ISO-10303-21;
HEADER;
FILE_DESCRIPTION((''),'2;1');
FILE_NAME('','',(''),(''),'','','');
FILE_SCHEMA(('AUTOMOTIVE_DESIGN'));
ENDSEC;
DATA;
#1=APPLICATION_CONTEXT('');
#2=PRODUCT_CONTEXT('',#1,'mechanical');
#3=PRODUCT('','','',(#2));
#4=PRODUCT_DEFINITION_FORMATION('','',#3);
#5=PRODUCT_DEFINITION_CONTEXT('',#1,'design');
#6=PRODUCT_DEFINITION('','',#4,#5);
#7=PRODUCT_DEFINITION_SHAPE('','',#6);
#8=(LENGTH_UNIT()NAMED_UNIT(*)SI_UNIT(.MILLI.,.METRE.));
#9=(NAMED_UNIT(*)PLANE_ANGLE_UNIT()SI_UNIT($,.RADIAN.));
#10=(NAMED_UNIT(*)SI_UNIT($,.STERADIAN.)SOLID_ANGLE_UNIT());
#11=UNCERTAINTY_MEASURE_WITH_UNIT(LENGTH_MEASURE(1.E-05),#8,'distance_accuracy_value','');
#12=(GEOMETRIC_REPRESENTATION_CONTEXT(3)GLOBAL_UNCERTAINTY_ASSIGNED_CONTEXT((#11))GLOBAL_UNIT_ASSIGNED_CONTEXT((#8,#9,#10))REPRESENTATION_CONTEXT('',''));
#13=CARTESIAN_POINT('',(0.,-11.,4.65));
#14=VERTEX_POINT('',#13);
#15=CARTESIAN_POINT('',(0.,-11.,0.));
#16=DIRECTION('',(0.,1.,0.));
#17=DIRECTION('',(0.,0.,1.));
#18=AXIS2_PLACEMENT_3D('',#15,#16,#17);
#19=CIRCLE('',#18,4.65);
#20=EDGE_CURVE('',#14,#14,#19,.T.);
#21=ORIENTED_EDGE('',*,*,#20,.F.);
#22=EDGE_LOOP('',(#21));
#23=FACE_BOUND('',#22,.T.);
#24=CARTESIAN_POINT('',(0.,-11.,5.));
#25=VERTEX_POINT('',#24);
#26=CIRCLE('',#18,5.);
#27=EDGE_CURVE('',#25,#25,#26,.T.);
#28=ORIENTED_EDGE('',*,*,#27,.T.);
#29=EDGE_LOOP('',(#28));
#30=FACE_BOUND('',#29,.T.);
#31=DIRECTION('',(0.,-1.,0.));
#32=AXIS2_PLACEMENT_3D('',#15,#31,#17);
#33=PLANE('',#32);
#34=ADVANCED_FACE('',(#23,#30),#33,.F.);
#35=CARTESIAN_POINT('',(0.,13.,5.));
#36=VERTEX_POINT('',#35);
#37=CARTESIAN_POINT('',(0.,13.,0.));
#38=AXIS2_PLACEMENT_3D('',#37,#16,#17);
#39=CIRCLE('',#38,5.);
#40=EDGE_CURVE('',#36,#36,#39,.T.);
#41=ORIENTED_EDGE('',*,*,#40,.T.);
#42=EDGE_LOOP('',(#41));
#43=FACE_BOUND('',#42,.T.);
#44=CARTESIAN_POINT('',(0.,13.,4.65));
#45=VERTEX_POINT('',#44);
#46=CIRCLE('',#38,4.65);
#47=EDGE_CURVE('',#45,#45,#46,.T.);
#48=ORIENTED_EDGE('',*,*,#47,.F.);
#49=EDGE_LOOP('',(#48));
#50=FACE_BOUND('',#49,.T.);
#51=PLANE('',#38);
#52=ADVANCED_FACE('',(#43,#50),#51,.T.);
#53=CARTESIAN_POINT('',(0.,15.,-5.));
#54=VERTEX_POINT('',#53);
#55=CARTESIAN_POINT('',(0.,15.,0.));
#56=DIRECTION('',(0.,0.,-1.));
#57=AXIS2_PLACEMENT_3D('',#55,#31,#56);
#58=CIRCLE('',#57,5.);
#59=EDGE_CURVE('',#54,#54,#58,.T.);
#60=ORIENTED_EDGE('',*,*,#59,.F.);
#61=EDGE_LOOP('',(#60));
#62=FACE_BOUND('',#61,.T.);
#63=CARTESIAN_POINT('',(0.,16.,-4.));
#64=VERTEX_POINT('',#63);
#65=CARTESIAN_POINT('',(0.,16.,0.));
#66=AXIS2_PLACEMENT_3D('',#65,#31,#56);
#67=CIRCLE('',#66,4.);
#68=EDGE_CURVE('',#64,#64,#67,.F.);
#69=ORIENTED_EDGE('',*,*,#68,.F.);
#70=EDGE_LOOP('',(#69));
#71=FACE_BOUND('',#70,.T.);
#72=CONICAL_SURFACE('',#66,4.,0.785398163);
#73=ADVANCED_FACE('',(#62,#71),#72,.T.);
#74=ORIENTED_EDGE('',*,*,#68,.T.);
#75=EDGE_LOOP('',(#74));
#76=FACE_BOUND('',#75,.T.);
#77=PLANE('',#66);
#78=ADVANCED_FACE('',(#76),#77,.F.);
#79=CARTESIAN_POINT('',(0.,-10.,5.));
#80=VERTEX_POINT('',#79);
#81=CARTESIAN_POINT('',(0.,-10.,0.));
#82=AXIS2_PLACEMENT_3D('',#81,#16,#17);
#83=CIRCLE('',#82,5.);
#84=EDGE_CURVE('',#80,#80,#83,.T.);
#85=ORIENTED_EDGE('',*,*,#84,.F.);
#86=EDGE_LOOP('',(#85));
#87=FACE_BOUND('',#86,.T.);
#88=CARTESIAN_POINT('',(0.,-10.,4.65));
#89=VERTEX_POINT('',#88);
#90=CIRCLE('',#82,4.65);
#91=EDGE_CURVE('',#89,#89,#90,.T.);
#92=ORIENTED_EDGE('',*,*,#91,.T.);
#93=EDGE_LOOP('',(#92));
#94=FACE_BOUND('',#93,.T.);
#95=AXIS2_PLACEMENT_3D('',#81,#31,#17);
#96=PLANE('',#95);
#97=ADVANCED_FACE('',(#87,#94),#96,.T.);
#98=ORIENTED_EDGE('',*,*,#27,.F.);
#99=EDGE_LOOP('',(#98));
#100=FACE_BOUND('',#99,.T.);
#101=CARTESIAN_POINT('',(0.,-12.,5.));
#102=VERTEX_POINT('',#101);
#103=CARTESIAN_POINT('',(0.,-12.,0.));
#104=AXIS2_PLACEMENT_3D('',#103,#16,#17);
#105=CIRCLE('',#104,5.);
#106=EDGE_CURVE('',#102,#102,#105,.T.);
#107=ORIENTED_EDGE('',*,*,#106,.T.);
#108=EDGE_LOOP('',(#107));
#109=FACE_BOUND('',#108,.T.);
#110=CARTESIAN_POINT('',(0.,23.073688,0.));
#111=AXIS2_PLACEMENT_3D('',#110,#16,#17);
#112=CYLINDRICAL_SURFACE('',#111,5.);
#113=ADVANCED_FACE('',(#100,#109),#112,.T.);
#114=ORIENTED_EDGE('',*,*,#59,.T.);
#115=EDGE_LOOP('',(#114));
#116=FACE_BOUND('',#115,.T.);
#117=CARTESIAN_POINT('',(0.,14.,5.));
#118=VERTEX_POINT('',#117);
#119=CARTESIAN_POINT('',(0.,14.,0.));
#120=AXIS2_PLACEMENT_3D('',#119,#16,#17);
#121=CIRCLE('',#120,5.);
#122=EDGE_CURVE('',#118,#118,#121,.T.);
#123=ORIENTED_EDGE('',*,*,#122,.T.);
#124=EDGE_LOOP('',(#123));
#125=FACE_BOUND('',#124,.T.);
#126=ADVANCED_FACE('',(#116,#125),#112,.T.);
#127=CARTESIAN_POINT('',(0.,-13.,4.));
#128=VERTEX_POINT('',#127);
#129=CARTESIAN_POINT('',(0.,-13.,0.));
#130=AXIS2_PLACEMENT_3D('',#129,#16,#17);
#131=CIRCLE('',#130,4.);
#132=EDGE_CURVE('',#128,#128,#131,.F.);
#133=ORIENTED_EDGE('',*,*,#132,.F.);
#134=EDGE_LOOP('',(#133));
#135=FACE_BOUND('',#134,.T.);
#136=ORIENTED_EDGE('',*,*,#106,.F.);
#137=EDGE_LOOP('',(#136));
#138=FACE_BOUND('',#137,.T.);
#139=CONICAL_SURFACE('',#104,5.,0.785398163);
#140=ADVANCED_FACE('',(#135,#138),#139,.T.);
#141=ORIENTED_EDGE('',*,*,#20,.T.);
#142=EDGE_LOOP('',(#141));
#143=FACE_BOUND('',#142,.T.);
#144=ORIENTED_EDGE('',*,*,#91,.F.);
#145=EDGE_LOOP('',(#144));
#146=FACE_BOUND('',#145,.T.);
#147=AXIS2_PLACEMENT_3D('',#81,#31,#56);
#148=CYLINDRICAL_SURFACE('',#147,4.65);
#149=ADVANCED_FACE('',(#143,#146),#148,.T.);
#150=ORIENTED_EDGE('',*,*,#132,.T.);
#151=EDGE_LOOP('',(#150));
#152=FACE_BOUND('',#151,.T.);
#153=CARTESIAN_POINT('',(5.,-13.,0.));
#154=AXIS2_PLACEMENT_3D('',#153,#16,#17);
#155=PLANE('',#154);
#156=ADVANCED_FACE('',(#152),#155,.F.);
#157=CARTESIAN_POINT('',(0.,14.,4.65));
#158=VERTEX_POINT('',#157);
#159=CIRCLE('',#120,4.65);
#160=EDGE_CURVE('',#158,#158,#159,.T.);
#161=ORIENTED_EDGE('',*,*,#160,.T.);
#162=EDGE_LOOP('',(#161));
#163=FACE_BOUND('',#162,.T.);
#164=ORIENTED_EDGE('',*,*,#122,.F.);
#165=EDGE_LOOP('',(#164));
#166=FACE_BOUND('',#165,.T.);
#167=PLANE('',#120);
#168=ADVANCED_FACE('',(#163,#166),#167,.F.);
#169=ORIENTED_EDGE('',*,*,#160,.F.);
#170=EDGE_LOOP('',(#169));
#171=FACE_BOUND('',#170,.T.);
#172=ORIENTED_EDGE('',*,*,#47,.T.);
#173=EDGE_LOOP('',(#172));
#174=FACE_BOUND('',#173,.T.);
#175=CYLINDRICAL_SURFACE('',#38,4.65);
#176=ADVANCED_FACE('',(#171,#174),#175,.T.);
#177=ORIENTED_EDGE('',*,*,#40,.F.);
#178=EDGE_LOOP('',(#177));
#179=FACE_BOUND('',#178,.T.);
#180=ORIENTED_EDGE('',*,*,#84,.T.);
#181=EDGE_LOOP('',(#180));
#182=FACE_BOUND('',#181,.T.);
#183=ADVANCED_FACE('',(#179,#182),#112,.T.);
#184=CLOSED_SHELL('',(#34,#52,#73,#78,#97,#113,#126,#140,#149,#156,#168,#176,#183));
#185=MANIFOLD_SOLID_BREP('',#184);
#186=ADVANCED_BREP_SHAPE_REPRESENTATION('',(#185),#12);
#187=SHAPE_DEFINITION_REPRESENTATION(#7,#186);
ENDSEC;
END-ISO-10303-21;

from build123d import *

# Parameters (mm, degrees)
CHAMFER_1_SIZE      = 1
CUT_EXTRUDE_START   = -3
SKETCH_2_R          = 5
SKETCH_2_R_2        = 4.65
CUT_EXTRUDE_1_DEPTH = 1


with BuildPart() as part:
    # 草图1 → 旋转1 (revolve)
    with BuildSketch(Plane.XY, mode=Mode.PRIVATE) as revolve_1_sk:
        Polygon((0, 16), (5, 16), (5, -2), (5, -7), (5, -13), (0, -13), align=None)
    revolve(revolve_1_sk.sketch.rotate(Axis((0, 23.073688006, 0), (0, -1, 0)), 90), axis=Axis((0, 23.073688006, 0), (0, -1, 0)))

    # 倒角1
    chamfer_1_edges = [part.edges().sort_by_distance(p)[0] for p in [
        (0, -13, -5),
        (0, 16, -5),
    ]]
    chamfer(chamfer_1_edges, length=CHAMFER_1_SIZE)

    # 草图2 → 切除-拉伸1 (cut)
    with BuildSketch(Plane(origin=(0, 16, 0), x_dir=(1, 0, 0), z_dir=(0, 1, 0)).offset(CUT_EXTRUDE_START)):
        with Locations(Location((0, 0, 0), (0, 0, 270))):
            Circle(SKETCH_2_R)
        with Locations(Location((0, 0, 0), (0, 0, 270))):
            Circle(SKETCH_2_R_2, mode=Mode.SUBTRACT)
    cut_extrude_1 = extrude(amount=CUT_EXTRUDE_1_DEPTH, mode=Mode.SUBTRACT)

    # 镜向1: 切除-拉伸1 across plane
    add(cut_extrude_1.mirror(Plane.ZX.offset(1.5)), mode=Mode.SUBTRACT)


solid = part.part
